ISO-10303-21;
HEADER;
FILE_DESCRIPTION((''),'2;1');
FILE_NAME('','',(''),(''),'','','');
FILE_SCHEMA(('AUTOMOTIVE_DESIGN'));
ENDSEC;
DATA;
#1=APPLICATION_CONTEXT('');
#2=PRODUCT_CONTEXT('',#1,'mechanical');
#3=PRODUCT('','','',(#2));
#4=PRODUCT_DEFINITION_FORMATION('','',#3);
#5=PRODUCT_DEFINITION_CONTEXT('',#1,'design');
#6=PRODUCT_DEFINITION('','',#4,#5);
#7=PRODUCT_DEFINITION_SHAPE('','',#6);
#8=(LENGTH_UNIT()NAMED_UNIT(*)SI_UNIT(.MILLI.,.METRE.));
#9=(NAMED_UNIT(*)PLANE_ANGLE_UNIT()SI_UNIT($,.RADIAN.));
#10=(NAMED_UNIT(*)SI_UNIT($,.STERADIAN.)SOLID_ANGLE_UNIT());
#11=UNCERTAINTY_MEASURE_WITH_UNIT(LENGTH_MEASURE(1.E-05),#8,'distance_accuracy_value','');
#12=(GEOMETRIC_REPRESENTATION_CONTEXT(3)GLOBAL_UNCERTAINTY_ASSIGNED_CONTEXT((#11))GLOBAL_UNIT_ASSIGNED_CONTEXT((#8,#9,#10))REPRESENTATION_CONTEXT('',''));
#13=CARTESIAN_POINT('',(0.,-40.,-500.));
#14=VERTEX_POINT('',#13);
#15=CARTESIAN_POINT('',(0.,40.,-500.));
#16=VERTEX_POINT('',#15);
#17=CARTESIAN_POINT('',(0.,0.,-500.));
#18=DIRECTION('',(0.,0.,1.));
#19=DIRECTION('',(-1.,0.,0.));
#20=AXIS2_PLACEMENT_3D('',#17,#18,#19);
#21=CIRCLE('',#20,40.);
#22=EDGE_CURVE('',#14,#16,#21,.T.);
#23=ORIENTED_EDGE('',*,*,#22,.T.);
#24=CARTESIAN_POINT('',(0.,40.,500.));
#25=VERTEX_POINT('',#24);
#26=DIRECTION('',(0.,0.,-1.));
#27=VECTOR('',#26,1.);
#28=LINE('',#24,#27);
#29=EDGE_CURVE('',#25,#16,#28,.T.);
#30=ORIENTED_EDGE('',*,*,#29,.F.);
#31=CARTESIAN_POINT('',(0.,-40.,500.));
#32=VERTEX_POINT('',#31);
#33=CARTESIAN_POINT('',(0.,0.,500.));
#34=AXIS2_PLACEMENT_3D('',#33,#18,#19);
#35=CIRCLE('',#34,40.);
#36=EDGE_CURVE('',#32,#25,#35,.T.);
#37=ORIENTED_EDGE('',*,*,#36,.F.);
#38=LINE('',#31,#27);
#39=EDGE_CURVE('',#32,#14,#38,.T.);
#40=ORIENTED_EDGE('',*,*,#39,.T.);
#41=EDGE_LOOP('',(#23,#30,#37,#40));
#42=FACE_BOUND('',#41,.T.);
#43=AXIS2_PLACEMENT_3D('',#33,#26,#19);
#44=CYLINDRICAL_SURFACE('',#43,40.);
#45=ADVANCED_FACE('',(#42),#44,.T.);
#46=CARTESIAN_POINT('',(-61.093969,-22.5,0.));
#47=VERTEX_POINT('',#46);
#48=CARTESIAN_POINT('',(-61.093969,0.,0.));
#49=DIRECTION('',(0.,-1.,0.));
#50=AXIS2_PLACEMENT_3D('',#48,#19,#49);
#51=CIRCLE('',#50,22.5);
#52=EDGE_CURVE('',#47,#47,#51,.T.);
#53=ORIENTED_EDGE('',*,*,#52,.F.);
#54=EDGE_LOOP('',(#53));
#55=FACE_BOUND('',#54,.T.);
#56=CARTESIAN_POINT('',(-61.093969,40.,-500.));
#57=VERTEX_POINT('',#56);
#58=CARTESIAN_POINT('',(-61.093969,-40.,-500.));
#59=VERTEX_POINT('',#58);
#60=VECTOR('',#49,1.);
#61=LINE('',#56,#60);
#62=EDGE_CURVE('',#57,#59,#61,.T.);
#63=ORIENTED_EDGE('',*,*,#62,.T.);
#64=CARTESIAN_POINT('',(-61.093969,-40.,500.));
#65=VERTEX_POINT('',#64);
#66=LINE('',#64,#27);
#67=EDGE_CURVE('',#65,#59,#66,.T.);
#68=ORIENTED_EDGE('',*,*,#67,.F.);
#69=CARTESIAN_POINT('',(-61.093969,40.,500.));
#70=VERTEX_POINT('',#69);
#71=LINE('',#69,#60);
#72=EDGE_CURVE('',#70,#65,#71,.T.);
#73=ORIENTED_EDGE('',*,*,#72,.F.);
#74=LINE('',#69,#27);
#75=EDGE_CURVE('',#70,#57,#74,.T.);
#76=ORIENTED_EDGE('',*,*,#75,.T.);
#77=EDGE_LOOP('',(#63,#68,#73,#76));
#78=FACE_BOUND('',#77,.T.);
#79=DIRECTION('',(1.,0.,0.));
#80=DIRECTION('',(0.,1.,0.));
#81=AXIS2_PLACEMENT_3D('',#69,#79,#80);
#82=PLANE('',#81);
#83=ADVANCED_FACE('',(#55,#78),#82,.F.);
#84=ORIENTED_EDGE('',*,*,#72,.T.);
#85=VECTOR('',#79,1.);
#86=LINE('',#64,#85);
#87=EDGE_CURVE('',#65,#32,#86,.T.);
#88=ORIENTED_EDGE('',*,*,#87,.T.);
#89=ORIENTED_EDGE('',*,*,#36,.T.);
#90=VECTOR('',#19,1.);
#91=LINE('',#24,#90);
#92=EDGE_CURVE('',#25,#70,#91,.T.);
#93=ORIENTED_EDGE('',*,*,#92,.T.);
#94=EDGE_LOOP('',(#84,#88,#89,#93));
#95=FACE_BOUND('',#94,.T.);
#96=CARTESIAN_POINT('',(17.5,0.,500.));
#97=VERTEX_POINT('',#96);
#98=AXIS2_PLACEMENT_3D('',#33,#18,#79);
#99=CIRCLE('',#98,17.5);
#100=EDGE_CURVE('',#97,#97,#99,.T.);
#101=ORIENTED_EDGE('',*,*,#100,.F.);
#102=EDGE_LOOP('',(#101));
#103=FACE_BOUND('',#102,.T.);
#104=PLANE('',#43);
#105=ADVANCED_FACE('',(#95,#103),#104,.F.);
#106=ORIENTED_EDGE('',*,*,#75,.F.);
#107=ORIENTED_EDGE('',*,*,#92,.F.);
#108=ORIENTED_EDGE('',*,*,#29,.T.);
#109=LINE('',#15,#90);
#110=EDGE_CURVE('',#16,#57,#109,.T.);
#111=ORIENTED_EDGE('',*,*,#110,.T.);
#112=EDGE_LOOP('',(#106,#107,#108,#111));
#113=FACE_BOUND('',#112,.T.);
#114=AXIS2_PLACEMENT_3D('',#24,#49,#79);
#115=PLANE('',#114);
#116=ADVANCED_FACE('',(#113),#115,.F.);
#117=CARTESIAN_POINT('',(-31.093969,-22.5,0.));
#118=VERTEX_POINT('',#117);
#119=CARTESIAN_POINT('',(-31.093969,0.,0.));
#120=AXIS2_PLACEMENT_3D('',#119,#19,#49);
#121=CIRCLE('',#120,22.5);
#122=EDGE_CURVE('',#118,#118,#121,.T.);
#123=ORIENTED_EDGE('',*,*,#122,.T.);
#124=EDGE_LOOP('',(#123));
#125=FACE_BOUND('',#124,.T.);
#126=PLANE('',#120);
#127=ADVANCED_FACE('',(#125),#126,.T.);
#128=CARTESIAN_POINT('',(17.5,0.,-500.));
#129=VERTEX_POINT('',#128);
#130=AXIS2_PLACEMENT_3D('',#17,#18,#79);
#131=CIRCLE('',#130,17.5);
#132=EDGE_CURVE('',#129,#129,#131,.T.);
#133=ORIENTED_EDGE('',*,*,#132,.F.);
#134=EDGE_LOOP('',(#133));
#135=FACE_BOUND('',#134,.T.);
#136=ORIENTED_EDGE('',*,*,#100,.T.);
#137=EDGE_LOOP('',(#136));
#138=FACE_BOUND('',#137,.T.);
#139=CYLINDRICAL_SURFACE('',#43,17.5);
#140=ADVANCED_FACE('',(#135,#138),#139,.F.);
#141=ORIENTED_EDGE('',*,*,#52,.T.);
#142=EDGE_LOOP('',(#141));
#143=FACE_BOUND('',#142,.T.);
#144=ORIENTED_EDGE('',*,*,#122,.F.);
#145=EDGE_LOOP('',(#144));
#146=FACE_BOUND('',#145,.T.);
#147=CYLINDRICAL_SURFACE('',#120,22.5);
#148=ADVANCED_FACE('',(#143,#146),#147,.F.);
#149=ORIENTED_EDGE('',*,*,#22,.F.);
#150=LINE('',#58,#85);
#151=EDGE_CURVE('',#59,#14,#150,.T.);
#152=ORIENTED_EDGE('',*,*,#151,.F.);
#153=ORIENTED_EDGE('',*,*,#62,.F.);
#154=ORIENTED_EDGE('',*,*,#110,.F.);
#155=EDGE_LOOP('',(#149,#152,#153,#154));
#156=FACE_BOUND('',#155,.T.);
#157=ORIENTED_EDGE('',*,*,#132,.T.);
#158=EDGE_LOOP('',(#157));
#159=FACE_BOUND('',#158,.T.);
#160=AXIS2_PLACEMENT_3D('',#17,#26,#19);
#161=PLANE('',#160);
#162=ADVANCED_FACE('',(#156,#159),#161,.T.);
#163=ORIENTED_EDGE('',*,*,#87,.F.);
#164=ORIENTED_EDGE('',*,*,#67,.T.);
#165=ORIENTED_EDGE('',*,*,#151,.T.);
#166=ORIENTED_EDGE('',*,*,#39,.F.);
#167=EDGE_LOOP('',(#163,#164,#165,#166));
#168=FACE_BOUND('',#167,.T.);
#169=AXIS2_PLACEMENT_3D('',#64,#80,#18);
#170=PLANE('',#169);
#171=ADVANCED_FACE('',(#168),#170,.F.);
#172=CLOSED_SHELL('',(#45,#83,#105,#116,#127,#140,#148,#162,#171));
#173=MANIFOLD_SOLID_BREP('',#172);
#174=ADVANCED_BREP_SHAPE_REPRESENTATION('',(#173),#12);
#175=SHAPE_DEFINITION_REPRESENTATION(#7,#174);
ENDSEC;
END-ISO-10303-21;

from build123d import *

# Parameters (mm, degrees)
SKETCH1_R           = 17.5
BOSS_EXTRUDE1_DEPTH = 500
SKETCH2_R           = 22.5
CUT_EXTRUDE1_DEPTH  = 30


with BuildPart() as part:
    # Sketch1 → Boss-Extrude1 (new, symmetric)
    with BuildSketch(Plane.XY):
        with BuildLine():
            Line((0, 40), (-61.093968567, 40))
            Line((-61.093968567, 40), (-61.093968567, -40))
            Line((-61.093968567, -40), (0, -40))
            ThreePointArc((0, -40), (40, 0), (0, 40))
        make_face()
        Circle(SKETCH1_R, mode=Mode.SUBTRACT)
    extrude(amount=BOSS_EXTRUDE1_DEPTH, both=True)

    # Sketch2 → Cut-Extrude1 (cut)
    with BuildSketch(Plane.ZY.offset(61.093968567)):
        with Locations(Location((0, 0, 0), (0, 0, 270))):
            Circle(SKETCH2_R)
    extrude(amount=-CUT_EXTRUDE1_DEPTH, mode=Mode.SUBTRACT)


solid = part.part
